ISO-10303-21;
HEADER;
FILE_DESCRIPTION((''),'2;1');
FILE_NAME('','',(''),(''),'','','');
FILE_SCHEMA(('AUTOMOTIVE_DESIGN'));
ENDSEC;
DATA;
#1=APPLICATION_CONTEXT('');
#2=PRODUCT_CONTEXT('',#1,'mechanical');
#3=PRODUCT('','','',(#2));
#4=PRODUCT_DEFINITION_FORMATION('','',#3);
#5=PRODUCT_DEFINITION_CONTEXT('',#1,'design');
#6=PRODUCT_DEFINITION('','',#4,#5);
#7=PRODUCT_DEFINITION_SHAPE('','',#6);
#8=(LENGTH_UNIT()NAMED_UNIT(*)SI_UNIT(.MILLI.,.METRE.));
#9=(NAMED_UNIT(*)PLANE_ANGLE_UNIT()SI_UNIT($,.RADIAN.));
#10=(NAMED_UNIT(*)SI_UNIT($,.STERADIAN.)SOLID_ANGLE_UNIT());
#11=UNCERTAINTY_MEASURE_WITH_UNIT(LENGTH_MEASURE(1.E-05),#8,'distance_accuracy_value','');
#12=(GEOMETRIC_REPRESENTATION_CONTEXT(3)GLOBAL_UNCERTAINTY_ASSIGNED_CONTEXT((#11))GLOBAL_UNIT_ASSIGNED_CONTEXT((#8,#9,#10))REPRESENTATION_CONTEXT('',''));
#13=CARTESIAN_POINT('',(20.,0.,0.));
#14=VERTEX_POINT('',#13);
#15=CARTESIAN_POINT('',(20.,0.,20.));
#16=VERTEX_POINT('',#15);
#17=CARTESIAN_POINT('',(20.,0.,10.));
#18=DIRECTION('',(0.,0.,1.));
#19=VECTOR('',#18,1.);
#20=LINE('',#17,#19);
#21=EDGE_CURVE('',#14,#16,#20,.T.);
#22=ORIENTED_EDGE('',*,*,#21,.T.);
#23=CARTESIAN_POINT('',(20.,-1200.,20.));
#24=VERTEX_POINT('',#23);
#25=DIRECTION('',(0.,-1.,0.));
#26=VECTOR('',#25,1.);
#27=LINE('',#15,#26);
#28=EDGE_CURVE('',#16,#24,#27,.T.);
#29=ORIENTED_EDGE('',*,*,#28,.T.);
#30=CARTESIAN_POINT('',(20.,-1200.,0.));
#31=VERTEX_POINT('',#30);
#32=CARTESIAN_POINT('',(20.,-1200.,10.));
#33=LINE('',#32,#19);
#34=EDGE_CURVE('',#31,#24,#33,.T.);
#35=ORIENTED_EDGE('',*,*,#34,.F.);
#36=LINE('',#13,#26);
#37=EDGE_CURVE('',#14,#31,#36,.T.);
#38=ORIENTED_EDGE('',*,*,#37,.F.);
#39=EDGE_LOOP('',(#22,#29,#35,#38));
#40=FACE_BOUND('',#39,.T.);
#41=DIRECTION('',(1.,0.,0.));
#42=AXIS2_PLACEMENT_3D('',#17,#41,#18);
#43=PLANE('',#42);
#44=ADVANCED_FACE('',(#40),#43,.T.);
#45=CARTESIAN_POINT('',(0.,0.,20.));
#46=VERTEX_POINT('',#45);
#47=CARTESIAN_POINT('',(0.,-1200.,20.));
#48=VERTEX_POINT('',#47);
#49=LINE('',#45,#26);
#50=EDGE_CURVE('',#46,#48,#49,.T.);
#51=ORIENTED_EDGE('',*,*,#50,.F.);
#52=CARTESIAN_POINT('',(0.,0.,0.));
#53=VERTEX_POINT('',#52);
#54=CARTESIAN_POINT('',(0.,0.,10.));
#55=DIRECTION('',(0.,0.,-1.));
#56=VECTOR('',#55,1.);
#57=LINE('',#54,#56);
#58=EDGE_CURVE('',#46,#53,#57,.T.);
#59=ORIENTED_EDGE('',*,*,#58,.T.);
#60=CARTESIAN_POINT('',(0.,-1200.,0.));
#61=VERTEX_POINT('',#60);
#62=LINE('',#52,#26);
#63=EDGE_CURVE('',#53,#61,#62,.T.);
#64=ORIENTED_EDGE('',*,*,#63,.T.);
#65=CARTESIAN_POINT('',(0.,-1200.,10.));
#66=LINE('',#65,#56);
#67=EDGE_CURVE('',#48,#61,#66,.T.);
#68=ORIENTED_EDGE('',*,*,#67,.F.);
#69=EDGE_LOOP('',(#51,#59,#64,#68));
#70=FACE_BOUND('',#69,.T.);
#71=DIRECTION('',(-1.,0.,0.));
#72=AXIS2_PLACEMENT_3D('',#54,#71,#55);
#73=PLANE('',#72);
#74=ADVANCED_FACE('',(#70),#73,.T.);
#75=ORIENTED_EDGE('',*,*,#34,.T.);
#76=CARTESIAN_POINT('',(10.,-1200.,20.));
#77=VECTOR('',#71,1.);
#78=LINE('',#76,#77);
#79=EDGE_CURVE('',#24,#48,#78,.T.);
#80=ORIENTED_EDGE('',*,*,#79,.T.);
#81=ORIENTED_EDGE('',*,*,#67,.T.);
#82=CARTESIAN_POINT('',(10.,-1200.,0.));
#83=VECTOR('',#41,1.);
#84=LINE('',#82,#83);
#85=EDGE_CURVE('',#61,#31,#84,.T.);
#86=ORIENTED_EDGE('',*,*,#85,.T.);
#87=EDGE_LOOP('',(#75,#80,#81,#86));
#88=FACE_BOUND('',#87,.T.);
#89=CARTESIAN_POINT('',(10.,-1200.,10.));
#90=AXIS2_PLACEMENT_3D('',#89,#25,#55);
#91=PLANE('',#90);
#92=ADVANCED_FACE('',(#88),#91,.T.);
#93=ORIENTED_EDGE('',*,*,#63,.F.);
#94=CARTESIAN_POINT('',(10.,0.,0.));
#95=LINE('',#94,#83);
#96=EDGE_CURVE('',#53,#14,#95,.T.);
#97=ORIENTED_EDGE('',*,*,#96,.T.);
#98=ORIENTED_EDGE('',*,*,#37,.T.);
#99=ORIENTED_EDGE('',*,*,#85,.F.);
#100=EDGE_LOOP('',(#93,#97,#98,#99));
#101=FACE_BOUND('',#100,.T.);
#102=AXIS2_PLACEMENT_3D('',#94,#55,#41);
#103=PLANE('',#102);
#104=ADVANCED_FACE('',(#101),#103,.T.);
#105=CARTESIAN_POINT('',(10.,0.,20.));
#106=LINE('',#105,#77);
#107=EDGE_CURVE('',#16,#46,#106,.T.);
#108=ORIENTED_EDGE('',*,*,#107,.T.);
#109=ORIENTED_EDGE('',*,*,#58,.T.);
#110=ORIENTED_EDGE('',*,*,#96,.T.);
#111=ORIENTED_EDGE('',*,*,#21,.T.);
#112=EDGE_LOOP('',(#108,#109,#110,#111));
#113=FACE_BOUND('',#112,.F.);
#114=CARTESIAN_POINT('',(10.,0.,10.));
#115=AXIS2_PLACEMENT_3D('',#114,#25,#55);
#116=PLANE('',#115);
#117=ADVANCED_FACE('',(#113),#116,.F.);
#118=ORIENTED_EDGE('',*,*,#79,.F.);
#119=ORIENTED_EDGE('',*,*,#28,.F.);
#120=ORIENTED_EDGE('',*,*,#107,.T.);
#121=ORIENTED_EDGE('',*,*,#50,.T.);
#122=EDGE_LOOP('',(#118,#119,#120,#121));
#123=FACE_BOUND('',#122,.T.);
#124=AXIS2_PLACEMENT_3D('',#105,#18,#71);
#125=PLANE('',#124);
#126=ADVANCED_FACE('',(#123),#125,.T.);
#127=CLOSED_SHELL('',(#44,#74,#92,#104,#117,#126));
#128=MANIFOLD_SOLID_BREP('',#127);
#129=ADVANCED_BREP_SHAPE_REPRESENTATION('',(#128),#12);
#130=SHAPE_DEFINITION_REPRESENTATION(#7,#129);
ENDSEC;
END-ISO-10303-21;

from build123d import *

# Parameters (mm, degrees)
F1_W = 20
F1_H = 20


with BuildPart() as f2:
    # F2: sweep along a path in F0
    with BuildLine(Plane.YZ) as f2_path:
        Line((0, 0), (-1200, 0))
    # F1 (on Front) → F2 (sweep)
    with BuildSketch(Plane.XZ):
        with Locations((10, 10)):
            Rectangle(F1_W, F1_H)
    sweep(path=f2_path.line)


solid = f2.part
